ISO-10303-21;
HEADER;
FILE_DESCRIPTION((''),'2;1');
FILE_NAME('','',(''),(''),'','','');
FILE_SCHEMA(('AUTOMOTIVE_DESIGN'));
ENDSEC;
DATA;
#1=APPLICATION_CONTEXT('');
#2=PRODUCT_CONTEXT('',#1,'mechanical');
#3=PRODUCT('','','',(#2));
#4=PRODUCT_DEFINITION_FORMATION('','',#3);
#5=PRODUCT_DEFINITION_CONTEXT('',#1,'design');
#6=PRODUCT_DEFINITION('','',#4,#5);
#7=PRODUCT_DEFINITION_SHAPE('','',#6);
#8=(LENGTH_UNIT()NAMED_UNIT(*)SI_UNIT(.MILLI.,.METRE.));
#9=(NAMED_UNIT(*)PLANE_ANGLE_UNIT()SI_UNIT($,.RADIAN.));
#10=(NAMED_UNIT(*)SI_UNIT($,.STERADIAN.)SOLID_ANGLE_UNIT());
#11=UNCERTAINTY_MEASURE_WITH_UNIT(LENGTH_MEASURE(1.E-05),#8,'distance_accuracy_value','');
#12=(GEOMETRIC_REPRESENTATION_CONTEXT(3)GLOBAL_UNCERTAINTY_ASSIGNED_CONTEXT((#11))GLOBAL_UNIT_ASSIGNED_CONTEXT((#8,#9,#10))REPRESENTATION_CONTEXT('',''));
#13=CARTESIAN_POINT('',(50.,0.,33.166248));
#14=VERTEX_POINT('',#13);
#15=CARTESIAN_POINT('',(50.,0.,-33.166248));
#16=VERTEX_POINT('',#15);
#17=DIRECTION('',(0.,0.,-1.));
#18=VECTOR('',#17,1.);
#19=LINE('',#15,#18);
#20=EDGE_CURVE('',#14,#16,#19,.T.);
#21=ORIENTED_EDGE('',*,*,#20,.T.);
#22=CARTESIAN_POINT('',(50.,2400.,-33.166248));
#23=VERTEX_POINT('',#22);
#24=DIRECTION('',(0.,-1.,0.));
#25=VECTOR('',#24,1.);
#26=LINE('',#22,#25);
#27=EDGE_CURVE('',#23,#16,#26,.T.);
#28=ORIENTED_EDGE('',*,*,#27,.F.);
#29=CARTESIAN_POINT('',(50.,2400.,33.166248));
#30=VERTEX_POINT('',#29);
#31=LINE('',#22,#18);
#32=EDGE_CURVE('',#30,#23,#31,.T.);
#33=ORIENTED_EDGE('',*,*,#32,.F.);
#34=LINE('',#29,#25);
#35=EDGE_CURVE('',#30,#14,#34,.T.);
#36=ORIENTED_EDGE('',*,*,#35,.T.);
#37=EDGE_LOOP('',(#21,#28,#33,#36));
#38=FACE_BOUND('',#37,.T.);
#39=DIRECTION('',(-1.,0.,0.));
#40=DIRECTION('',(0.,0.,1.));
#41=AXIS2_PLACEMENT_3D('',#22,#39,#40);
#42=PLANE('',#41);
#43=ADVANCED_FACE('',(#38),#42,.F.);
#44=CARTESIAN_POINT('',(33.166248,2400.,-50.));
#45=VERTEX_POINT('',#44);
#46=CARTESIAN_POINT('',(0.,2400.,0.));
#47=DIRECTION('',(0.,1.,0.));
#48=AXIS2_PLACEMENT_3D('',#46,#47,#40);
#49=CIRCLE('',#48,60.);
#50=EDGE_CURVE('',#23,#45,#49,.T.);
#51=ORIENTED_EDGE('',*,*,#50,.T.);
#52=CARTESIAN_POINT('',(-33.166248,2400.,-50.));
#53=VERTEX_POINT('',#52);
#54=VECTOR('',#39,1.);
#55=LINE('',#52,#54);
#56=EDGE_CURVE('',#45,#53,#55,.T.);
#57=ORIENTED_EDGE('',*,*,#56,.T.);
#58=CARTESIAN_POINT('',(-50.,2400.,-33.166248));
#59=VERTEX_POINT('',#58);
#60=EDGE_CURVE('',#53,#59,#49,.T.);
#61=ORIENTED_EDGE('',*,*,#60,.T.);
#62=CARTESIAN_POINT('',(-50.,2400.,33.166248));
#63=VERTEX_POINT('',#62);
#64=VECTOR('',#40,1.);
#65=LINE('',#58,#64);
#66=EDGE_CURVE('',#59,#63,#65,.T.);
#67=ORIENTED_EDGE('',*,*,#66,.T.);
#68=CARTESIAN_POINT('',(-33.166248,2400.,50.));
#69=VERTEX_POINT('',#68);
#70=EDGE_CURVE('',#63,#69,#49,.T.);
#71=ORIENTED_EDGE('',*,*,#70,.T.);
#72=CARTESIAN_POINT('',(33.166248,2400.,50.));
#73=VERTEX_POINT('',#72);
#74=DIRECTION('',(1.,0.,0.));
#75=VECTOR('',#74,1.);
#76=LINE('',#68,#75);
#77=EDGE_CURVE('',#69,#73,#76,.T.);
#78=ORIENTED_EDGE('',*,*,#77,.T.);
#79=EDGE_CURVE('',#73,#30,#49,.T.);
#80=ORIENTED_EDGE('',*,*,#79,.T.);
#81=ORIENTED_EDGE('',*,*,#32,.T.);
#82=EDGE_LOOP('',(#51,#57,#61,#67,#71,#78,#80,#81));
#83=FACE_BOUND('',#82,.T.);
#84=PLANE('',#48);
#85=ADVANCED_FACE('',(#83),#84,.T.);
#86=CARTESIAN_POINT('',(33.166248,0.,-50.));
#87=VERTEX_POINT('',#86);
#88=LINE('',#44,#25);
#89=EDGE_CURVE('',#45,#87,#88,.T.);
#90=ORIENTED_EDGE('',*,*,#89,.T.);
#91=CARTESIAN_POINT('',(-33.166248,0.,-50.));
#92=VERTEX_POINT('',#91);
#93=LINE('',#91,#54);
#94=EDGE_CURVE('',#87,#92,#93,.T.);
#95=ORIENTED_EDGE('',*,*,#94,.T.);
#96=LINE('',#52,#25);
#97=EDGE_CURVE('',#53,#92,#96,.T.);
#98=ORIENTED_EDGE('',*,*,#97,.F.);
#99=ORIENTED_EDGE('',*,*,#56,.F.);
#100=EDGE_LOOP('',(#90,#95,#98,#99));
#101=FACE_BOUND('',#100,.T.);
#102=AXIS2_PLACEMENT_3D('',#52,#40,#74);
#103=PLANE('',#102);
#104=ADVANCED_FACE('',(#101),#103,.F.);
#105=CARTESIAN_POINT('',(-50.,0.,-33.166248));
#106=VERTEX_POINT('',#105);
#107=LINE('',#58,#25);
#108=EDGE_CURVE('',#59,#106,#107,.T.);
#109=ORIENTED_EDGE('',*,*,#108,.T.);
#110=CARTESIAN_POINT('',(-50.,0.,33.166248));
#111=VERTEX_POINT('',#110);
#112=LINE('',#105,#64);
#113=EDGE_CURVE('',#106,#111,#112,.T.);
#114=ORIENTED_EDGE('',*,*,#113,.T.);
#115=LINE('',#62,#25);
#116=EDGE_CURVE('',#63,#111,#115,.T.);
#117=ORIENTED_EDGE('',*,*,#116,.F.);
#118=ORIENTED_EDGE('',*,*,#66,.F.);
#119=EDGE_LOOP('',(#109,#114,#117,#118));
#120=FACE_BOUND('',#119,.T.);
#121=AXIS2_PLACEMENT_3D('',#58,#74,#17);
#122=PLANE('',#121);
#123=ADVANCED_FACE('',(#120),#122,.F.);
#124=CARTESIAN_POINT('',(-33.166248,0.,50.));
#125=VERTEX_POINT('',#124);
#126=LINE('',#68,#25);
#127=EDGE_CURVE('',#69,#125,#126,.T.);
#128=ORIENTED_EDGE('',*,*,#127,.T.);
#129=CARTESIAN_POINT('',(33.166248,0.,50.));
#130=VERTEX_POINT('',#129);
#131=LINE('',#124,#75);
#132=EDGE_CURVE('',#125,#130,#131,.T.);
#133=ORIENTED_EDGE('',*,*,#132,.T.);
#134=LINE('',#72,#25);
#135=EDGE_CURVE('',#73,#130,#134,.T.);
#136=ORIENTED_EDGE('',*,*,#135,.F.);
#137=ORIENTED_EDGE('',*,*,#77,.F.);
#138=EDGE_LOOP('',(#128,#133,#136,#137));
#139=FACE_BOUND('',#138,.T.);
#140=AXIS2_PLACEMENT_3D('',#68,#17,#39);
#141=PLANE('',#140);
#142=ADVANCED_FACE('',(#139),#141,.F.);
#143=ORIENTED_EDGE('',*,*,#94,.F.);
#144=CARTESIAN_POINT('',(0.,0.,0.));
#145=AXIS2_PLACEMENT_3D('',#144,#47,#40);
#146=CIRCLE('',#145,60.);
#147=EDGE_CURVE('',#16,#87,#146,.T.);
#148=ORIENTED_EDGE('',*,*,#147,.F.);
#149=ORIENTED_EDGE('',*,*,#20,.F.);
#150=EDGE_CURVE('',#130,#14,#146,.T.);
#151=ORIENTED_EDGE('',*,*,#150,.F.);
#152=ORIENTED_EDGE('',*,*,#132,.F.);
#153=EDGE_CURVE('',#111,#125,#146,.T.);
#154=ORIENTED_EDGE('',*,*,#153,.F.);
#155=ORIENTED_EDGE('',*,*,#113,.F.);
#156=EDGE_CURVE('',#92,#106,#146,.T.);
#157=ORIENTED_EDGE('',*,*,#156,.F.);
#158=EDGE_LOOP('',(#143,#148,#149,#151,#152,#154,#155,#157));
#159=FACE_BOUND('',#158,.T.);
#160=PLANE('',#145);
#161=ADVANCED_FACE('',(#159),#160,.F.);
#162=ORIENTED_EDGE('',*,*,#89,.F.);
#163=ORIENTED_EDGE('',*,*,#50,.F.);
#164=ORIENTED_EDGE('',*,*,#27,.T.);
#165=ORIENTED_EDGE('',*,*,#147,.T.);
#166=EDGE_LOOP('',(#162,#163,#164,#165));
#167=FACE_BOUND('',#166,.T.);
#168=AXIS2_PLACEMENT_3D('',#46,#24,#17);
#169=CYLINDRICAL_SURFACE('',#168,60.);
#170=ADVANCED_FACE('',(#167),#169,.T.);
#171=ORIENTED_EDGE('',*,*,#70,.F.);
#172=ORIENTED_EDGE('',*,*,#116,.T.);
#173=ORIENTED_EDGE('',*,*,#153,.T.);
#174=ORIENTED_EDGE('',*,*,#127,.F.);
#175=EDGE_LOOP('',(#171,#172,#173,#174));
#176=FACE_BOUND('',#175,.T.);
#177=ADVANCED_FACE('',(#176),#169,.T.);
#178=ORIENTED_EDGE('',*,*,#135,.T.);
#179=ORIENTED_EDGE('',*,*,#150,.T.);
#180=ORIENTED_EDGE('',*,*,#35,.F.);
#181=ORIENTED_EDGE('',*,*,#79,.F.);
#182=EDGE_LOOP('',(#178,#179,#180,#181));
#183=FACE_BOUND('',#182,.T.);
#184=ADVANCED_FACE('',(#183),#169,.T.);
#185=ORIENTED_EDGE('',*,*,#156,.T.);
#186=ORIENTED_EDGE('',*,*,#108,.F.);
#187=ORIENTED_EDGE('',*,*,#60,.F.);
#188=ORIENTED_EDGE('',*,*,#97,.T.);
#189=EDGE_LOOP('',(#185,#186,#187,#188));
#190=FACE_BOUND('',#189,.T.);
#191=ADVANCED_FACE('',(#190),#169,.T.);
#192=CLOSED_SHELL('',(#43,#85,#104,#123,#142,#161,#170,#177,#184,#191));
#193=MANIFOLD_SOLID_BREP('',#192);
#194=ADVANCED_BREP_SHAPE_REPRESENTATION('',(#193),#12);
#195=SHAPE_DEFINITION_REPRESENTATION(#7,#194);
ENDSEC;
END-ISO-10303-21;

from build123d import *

# Parameters (mm, degrees)
BOSS_EXTRUDE1_DEPTH = 2400


with BuildPart() as part:
    # Sketch1 → Boss-Extrude1 (new body)
    with BuildSketch(Plane(origin=(0, 0, 0), x_dir=(1, 0, 0), z_dir=(0, 1, 0))):
        with BuildLine():
            Line((-33.166247904, 50), (33.166247904, 50))
            ThreePointArc((33.166247904, 50), (42.426406871, 42.426406871), (50, 33.166247904))
            Line((50, 33.166247904), (50, -33.166247904))
            ThreePointArc((50, -33.166247904), (42.426406871, -42.426406871), (33.166247904, -50))
            Line((33.166247904, -50), (-33.166247904, -50))
            ThreePointArc((-33.166247904, -50), (-42.426406871, -42.426406871), (-50, -33.166247904))
            Line((-50, -33.166247904), (-50, 33.166247904))
            ThreePointArc((-50, 33.166247904), (-42.426406871, 42.426406871), (-33.166247904, 50))
        make_face()
    extrude(amount=BOSS_EXTRUDE1_DEPTH)


solid = part.part
